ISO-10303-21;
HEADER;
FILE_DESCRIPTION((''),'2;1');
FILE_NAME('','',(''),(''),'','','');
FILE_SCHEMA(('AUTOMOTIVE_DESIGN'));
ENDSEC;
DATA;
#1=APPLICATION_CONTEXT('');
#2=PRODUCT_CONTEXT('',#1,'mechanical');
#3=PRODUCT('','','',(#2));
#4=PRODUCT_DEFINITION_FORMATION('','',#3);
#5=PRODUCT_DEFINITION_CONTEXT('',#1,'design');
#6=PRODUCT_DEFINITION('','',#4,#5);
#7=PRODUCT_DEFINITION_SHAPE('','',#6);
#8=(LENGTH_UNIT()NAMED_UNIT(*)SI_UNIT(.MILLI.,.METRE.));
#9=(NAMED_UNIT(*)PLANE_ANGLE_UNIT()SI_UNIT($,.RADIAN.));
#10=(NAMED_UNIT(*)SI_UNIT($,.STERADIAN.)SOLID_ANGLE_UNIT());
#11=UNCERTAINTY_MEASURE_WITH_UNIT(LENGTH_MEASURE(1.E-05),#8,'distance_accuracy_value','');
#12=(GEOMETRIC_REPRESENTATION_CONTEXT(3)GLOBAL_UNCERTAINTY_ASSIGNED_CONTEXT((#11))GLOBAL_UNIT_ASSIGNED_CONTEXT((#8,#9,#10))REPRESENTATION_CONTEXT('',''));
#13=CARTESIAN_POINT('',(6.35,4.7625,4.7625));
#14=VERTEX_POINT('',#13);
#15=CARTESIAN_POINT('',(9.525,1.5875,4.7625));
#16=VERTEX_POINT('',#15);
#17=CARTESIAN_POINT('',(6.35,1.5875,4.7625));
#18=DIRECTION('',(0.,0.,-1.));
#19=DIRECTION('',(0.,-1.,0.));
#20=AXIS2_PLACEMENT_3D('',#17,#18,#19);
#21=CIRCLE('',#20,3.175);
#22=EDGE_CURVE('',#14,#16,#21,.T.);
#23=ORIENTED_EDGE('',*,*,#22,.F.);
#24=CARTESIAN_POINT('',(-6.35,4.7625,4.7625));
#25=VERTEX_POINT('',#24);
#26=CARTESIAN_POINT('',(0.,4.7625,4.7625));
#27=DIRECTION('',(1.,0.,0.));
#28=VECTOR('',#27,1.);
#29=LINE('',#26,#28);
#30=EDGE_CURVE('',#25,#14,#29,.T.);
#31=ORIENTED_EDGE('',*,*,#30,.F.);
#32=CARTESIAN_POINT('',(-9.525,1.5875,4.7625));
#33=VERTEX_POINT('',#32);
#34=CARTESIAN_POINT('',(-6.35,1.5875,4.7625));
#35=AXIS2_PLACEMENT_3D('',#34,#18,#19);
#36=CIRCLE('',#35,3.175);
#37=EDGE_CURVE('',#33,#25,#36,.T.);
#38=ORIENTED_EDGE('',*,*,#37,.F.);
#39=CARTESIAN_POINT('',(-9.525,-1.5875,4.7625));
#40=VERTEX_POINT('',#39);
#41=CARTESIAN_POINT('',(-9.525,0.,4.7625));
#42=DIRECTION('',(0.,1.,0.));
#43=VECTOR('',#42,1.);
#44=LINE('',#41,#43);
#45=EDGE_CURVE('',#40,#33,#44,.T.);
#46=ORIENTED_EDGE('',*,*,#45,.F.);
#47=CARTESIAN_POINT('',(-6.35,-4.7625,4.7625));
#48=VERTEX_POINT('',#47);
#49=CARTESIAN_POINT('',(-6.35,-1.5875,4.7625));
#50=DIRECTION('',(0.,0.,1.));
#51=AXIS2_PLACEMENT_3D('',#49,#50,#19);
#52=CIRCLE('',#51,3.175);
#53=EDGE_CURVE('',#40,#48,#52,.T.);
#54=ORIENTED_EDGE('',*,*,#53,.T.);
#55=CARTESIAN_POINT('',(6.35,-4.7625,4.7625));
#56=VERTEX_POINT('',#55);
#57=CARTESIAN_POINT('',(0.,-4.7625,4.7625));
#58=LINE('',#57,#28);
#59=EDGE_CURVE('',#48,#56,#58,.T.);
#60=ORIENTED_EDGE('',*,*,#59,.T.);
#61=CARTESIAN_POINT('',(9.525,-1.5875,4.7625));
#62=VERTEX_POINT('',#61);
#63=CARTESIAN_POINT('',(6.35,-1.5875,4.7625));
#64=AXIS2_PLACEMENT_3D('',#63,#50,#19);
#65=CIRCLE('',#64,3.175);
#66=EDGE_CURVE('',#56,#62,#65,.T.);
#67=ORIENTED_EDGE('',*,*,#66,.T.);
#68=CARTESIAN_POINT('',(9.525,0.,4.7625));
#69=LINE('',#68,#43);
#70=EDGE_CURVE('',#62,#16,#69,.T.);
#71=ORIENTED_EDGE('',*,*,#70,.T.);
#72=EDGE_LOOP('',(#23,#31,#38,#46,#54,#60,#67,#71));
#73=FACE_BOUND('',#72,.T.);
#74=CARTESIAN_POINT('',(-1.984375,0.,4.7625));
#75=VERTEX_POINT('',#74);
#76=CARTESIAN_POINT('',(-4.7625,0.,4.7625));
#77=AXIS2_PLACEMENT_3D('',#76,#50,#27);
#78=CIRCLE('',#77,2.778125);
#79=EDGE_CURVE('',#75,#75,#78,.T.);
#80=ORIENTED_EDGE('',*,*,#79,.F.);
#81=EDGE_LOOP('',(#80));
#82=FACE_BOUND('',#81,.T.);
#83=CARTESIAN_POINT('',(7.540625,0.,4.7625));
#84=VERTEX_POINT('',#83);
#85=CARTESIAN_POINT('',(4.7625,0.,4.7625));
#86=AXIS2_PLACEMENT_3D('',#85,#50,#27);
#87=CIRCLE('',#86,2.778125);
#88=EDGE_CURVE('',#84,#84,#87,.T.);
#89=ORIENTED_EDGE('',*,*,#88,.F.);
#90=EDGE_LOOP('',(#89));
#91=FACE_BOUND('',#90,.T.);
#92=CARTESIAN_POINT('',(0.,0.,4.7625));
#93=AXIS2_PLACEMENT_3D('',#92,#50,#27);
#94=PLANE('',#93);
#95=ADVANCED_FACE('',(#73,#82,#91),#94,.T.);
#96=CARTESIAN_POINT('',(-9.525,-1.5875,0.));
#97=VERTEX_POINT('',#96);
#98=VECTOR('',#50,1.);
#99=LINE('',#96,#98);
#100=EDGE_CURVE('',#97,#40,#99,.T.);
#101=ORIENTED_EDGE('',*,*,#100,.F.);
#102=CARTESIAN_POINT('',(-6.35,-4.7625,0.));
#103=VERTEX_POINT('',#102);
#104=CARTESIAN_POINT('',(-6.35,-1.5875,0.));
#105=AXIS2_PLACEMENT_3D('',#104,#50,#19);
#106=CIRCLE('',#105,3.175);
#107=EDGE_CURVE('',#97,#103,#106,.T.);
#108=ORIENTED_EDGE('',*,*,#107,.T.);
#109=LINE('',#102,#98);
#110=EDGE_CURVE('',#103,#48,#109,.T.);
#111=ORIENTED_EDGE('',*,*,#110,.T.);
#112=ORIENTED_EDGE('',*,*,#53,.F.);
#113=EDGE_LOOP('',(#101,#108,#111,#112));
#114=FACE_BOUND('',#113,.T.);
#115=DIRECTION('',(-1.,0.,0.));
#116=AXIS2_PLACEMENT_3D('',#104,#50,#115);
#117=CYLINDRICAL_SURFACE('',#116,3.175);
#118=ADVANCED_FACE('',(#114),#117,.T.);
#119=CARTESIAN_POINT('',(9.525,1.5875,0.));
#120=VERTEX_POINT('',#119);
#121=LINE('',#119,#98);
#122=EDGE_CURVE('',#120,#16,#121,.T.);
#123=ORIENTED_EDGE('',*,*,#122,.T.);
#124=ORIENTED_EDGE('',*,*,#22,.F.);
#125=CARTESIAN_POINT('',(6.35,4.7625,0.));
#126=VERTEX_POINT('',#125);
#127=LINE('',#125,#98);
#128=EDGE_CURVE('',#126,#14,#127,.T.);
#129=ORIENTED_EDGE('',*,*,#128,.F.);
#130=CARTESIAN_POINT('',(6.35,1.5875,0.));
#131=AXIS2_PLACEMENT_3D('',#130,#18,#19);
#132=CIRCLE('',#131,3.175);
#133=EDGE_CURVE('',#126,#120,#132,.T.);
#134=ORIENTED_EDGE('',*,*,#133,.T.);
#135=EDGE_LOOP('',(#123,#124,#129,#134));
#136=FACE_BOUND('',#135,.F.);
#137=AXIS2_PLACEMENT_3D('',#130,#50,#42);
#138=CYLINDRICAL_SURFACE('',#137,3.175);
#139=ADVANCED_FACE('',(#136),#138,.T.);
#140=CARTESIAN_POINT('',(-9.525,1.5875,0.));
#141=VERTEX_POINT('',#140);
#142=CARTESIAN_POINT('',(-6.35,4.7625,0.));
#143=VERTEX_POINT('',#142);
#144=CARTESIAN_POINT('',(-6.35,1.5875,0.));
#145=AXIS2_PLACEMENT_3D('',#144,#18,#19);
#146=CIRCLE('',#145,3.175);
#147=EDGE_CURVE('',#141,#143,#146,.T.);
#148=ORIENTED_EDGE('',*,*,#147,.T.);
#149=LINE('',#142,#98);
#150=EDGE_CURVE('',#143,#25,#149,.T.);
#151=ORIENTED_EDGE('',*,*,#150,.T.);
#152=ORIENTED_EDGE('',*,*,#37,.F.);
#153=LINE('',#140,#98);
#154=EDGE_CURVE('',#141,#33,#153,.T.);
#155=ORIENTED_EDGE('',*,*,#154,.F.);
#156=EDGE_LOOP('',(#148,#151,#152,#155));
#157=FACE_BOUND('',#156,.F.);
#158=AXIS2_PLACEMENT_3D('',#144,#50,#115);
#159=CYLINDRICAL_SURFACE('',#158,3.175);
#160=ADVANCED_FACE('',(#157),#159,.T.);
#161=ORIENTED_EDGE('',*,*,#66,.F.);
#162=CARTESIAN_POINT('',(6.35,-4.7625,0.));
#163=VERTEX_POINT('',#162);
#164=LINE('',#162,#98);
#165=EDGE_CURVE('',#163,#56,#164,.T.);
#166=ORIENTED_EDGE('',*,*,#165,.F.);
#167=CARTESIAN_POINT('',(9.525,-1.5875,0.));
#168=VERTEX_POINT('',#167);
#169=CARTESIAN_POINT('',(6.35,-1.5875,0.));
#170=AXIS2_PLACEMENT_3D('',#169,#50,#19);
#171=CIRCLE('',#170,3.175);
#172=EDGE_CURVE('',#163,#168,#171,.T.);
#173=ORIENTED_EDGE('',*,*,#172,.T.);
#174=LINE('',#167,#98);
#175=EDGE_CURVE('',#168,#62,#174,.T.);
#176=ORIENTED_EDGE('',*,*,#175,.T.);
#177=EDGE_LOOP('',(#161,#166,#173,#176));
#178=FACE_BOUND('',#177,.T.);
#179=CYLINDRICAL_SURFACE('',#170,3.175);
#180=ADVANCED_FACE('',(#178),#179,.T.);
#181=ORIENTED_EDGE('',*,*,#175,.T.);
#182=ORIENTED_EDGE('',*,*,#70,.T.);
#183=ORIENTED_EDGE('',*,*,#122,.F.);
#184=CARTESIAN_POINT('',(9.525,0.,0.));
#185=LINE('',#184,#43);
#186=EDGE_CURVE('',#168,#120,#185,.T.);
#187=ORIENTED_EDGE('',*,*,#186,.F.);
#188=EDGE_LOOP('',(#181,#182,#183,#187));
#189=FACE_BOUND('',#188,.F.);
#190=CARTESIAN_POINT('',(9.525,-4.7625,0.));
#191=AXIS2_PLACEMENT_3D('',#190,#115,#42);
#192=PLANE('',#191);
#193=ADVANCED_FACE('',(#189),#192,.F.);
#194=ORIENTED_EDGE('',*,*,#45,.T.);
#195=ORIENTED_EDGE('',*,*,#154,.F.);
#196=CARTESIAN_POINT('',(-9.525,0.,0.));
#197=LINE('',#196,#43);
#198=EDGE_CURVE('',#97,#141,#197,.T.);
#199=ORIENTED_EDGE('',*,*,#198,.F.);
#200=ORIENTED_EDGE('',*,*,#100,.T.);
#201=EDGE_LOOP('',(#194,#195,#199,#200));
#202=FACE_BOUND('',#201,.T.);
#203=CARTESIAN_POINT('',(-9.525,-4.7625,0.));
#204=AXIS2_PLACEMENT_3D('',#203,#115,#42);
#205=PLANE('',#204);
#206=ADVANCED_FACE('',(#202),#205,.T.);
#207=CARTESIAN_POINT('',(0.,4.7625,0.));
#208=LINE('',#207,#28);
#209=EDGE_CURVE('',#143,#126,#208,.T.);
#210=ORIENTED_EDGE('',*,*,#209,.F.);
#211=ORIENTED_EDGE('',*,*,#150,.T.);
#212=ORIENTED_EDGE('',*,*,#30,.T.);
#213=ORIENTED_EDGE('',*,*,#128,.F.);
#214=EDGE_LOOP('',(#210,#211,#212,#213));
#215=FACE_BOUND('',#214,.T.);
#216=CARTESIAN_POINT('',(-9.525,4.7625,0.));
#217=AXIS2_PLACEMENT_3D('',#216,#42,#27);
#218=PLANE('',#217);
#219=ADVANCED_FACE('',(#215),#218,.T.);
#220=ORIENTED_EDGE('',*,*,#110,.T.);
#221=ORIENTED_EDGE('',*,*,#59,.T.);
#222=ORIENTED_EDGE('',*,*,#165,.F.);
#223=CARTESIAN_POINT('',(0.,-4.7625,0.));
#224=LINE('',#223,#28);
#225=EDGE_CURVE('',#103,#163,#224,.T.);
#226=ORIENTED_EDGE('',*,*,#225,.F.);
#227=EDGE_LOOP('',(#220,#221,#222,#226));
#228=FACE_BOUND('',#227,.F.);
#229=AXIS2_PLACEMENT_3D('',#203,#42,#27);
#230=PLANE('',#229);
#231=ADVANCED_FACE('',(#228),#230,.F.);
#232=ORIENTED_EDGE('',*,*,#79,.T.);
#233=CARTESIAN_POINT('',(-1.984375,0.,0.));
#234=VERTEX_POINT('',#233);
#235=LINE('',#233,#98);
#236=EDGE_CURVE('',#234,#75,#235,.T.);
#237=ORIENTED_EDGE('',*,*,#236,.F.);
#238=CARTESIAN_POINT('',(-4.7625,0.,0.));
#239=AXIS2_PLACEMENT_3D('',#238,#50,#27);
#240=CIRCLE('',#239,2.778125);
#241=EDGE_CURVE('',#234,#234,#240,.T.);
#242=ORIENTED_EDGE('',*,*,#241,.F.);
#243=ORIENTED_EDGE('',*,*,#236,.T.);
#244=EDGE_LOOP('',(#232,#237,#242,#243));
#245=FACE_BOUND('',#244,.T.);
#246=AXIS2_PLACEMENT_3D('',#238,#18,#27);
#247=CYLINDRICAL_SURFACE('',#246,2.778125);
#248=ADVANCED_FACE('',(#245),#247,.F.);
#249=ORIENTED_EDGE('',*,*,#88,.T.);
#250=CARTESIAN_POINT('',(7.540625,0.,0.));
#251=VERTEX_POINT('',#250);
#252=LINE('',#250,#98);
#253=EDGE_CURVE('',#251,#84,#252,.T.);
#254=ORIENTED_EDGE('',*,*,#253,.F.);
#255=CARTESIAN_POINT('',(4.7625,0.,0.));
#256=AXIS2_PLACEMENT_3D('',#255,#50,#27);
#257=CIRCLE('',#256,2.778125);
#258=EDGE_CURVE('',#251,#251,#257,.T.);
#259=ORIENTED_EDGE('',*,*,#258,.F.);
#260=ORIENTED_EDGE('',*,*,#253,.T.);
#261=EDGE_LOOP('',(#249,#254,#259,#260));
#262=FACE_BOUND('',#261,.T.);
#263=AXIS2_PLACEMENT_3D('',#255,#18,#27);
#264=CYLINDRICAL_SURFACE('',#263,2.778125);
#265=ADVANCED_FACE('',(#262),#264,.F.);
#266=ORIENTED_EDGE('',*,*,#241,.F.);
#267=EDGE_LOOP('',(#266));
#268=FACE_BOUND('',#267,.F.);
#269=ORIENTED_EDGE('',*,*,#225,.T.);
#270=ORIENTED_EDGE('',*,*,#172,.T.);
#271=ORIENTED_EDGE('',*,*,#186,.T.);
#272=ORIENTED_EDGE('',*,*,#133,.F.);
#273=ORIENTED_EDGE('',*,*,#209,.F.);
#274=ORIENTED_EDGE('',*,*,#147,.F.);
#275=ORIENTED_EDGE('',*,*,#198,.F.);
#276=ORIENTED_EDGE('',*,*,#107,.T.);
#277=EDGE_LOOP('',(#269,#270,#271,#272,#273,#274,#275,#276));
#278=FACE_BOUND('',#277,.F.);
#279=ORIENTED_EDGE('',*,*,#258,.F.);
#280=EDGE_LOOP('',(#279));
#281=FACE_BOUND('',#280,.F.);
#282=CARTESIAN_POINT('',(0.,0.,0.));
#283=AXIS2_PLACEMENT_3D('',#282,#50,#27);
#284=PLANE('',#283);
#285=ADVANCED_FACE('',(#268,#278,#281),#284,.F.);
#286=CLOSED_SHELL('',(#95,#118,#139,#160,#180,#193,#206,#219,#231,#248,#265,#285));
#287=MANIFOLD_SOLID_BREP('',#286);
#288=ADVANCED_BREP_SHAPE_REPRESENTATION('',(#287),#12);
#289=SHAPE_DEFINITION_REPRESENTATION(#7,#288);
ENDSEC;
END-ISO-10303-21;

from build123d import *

# Parameters (mm, degrees)
F0_W     = 19.05
F0_H     = 9.525
F0_R     = 2.778125
F1_DEPTH = 4.7625
F2_R     = 3.175


with BuildPart() as f1:
    # F0 (on Top) → F1 (new body)
    with BuildSketch(Plane.XY):
        Rectangle(F0_W, F0_H)
        with Locations((-4.7625, 0)):
            Circle(F0_R, mode=Mode.SUBTRACT)
        with Locations((4.7625, 0)):
            Circle(F0_R, mode=Mode.SUBTRACT)
    extrude(amount=F1_DEPTH)

    # F2
    f2_edges = [f1.edges().sort_by_distance(p)[0] for p in [
        (-9.525, -4.7625, 2.38125),
        (-9.525, 4.7625, 2.38125),
        (9.525, -4.7625, 2.38125),
        (9.525, 4.7625, 2.38125),
    ]]
    fillet(f2_edges, radius=F2_R)


solid = f1.part
